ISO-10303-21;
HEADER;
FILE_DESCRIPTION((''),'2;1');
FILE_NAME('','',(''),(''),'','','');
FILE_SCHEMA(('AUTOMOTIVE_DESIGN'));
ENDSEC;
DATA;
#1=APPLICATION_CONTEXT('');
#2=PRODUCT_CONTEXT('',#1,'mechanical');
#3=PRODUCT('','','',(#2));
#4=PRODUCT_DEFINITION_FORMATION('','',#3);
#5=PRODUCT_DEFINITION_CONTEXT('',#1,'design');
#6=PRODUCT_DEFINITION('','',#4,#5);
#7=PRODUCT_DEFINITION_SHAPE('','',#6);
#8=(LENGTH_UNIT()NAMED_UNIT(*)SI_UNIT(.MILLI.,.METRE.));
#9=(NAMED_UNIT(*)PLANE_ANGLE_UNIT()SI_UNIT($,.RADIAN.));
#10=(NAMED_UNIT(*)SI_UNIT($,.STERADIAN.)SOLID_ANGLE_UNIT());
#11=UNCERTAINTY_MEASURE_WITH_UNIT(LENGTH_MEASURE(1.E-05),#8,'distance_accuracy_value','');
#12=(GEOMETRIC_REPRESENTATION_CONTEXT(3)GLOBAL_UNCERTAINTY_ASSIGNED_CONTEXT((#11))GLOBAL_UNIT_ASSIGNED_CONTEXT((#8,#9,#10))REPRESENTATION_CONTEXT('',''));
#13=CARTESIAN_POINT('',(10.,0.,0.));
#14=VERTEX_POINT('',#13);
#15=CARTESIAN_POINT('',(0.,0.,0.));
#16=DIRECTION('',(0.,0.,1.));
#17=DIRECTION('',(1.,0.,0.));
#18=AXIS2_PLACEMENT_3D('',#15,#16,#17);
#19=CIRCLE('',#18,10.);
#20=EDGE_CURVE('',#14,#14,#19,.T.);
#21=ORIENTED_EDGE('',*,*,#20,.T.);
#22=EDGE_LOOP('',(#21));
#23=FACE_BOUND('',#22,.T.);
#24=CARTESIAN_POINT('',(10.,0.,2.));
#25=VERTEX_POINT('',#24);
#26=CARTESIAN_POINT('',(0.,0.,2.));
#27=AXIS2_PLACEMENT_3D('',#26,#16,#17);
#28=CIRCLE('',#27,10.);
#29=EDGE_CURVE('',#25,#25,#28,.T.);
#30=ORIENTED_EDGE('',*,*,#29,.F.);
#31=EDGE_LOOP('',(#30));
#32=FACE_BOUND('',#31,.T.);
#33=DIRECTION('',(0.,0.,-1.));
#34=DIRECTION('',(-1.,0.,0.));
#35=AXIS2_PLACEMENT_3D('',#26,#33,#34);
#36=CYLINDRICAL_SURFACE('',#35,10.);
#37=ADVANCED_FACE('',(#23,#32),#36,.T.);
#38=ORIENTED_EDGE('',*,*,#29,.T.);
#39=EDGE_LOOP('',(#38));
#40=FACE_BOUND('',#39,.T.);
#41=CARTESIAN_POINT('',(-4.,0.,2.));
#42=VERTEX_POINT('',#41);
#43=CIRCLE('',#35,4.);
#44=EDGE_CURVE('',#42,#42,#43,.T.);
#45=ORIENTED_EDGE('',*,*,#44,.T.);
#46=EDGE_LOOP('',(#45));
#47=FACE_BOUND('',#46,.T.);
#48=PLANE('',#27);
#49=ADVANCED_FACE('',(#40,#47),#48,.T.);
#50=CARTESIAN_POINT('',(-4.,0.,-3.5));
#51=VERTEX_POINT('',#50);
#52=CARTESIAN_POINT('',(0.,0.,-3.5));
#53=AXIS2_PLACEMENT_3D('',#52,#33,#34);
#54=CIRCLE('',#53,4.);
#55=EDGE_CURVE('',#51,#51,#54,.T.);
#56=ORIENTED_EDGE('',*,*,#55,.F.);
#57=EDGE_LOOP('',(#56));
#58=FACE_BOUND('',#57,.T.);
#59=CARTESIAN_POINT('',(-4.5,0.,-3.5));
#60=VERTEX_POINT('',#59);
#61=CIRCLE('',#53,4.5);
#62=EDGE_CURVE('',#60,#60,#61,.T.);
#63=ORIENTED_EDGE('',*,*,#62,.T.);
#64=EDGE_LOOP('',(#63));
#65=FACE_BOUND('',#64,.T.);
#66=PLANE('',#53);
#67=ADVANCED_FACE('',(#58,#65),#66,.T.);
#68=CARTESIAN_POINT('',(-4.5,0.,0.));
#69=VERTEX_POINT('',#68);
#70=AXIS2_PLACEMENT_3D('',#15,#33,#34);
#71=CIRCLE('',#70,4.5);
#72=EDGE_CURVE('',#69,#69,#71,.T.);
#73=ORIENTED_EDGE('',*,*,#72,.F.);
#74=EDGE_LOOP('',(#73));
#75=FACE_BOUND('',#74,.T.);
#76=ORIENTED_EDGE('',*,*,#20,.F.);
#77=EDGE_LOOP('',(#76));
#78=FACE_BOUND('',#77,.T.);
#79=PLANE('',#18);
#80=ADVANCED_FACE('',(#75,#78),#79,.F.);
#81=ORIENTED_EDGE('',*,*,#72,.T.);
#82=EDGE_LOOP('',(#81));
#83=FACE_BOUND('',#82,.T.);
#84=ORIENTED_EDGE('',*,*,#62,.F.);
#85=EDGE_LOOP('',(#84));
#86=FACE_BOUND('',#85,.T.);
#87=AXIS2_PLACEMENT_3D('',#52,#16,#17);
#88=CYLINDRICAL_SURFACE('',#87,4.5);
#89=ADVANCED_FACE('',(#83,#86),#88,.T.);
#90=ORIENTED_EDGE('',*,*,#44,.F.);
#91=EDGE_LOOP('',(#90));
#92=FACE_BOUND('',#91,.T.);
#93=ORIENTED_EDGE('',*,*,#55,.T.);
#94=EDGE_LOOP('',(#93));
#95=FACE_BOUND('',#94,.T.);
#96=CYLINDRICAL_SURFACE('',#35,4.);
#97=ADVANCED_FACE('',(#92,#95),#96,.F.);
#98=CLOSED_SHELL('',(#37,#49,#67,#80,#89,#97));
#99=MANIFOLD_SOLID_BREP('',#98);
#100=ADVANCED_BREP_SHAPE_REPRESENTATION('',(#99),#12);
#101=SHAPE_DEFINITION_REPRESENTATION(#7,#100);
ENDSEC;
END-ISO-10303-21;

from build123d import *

# Parameters (mm, degrees)
SKETCH1_R           = 10
BOSS_EXTRUDE1_DEPTH = 2
SKETCH2_R           = 4.5
BOSS_EXTRUDE2_DEPTH = 3.5
SKETCH3_R           = 4
CUT_EXTRUDE1_DEPTH  = 6.5


with BuildPart() as part:
    # Sketch1 → Boss-Extrude1 (new body)
    with BuildSketch(Plane.XY):
        Circle(SKETCH1_R)
    extrude(amount=BOSS_EXTRUDE1_DEPTH)

    # Sketch2 → Boss-Extrude2 (add)
    with BuildSketch(Plane(origin=(0, 0, 0), x_dir=(-1, 0, 0), z_dir=(0, 0, -1))):
        Circle(SKETCH2_R)
    extrude(amount=BOSS_EXTRUDE2_DEPTH)

    # Sketch3 → Cut-Extrude1 (cut, through all)
    with BuildSketch(Plane(origin=(0, 0, -3.5), x_dir=(-1, 0, 0), z_dir=(0, 0, -1))):
        Circle(SKETCH3_R)
    extrude(amount=-CUT_EXTRUDE1_DEPTH, mode=Mode.SUBTRACT)


solid = part.part
